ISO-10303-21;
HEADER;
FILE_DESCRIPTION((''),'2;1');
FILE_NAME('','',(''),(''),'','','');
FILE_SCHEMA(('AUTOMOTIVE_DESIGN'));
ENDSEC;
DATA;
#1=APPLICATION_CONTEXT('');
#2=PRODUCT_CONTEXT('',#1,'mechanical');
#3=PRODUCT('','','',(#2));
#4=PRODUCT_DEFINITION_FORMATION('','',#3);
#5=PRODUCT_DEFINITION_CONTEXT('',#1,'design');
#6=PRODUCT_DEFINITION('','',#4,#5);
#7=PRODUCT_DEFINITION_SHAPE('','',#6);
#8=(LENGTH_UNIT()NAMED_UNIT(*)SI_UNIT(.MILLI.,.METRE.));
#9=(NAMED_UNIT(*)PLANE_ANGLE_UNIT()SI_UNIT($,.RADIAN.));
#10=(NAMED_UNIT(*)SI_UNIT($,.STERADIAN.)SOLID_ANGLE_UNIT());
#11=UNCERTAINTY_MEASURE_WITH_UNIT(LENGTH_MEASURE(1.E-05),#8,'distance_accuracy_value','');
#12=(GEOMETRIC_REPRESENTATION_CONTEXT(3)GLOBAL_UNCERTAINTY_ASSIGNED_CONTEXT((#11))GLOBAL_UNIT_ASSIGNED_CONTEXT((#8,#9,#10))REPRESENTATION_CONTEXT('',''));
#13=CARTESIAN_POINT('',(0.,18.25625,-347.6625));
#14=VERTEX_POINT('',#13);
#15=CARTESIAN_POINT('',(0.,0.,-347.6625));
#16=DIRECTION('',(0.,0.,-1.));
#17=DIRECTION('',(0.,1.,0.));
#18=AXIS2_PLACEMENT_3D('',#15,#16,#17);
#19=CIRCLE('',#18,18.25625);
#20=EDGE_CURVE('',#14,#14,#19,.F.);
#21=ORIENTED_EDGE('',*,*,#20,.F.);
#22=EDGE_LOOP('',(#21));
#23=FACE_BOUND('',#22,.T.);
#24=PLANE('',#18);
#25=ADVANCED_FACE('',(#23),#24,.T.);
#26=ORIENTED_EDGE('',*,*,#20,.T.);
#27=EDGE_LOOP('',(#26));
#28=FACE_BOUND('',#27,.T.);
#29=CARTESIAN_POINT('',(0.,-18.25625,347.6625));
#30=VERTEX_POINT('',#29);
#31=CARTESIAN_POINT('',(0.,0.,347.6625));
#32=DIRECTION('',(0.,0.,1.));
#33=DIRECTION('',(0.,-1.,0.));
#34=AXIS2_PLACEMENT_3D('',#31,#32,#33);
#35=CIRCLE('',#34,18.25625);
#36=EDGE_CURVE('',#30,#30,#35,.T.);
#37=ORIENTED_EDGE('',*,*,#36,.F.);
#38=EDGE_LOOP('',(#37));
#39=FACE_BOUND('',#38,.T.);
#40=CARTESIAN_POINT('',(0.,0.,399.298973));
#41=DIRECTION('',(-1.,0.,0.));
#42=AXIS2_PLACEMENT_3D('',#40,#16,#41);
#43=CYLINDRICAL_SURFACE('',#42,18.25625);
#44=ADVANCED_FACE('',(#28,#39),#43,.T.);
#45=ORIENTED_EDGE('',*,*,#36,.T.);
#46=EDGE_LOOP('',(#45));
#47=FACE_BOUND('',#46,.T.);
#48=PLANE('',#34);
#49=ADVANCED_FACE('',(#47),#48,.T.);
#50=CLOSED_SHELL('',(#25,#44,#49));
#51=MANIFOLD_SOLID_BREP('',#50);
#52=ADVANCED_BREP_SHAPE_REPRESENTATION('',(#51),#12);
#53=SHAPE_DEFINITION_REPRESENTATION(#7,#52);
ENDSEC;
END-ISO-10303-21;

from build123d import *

# Parameters (mm, degrees)
BASE_EXTRUDE_DEPTH      = 347.6625
BASE_EXTRUDE_DEPTH_BACK = 347.6625
SKETCH1_R               = 18.25625


with BuildPart() as part:
    # Sketch1 → Base-Extrude (new, two sides: drawn at the far end of the back side and taken through both)
    with BuildSketch(Plane.XY.offset(-BASE_EXTRUDE_DEPTH_BACK)):
        with Locations(Location((0, 0, 0), (0, 0, 90))):
            Circle(SKETCH1_R)
    extrude(amount=BASE_EXTRUDE_DEPTH + BASE_EXTRUDE_DEPTH_BACK)


solid = part.part
